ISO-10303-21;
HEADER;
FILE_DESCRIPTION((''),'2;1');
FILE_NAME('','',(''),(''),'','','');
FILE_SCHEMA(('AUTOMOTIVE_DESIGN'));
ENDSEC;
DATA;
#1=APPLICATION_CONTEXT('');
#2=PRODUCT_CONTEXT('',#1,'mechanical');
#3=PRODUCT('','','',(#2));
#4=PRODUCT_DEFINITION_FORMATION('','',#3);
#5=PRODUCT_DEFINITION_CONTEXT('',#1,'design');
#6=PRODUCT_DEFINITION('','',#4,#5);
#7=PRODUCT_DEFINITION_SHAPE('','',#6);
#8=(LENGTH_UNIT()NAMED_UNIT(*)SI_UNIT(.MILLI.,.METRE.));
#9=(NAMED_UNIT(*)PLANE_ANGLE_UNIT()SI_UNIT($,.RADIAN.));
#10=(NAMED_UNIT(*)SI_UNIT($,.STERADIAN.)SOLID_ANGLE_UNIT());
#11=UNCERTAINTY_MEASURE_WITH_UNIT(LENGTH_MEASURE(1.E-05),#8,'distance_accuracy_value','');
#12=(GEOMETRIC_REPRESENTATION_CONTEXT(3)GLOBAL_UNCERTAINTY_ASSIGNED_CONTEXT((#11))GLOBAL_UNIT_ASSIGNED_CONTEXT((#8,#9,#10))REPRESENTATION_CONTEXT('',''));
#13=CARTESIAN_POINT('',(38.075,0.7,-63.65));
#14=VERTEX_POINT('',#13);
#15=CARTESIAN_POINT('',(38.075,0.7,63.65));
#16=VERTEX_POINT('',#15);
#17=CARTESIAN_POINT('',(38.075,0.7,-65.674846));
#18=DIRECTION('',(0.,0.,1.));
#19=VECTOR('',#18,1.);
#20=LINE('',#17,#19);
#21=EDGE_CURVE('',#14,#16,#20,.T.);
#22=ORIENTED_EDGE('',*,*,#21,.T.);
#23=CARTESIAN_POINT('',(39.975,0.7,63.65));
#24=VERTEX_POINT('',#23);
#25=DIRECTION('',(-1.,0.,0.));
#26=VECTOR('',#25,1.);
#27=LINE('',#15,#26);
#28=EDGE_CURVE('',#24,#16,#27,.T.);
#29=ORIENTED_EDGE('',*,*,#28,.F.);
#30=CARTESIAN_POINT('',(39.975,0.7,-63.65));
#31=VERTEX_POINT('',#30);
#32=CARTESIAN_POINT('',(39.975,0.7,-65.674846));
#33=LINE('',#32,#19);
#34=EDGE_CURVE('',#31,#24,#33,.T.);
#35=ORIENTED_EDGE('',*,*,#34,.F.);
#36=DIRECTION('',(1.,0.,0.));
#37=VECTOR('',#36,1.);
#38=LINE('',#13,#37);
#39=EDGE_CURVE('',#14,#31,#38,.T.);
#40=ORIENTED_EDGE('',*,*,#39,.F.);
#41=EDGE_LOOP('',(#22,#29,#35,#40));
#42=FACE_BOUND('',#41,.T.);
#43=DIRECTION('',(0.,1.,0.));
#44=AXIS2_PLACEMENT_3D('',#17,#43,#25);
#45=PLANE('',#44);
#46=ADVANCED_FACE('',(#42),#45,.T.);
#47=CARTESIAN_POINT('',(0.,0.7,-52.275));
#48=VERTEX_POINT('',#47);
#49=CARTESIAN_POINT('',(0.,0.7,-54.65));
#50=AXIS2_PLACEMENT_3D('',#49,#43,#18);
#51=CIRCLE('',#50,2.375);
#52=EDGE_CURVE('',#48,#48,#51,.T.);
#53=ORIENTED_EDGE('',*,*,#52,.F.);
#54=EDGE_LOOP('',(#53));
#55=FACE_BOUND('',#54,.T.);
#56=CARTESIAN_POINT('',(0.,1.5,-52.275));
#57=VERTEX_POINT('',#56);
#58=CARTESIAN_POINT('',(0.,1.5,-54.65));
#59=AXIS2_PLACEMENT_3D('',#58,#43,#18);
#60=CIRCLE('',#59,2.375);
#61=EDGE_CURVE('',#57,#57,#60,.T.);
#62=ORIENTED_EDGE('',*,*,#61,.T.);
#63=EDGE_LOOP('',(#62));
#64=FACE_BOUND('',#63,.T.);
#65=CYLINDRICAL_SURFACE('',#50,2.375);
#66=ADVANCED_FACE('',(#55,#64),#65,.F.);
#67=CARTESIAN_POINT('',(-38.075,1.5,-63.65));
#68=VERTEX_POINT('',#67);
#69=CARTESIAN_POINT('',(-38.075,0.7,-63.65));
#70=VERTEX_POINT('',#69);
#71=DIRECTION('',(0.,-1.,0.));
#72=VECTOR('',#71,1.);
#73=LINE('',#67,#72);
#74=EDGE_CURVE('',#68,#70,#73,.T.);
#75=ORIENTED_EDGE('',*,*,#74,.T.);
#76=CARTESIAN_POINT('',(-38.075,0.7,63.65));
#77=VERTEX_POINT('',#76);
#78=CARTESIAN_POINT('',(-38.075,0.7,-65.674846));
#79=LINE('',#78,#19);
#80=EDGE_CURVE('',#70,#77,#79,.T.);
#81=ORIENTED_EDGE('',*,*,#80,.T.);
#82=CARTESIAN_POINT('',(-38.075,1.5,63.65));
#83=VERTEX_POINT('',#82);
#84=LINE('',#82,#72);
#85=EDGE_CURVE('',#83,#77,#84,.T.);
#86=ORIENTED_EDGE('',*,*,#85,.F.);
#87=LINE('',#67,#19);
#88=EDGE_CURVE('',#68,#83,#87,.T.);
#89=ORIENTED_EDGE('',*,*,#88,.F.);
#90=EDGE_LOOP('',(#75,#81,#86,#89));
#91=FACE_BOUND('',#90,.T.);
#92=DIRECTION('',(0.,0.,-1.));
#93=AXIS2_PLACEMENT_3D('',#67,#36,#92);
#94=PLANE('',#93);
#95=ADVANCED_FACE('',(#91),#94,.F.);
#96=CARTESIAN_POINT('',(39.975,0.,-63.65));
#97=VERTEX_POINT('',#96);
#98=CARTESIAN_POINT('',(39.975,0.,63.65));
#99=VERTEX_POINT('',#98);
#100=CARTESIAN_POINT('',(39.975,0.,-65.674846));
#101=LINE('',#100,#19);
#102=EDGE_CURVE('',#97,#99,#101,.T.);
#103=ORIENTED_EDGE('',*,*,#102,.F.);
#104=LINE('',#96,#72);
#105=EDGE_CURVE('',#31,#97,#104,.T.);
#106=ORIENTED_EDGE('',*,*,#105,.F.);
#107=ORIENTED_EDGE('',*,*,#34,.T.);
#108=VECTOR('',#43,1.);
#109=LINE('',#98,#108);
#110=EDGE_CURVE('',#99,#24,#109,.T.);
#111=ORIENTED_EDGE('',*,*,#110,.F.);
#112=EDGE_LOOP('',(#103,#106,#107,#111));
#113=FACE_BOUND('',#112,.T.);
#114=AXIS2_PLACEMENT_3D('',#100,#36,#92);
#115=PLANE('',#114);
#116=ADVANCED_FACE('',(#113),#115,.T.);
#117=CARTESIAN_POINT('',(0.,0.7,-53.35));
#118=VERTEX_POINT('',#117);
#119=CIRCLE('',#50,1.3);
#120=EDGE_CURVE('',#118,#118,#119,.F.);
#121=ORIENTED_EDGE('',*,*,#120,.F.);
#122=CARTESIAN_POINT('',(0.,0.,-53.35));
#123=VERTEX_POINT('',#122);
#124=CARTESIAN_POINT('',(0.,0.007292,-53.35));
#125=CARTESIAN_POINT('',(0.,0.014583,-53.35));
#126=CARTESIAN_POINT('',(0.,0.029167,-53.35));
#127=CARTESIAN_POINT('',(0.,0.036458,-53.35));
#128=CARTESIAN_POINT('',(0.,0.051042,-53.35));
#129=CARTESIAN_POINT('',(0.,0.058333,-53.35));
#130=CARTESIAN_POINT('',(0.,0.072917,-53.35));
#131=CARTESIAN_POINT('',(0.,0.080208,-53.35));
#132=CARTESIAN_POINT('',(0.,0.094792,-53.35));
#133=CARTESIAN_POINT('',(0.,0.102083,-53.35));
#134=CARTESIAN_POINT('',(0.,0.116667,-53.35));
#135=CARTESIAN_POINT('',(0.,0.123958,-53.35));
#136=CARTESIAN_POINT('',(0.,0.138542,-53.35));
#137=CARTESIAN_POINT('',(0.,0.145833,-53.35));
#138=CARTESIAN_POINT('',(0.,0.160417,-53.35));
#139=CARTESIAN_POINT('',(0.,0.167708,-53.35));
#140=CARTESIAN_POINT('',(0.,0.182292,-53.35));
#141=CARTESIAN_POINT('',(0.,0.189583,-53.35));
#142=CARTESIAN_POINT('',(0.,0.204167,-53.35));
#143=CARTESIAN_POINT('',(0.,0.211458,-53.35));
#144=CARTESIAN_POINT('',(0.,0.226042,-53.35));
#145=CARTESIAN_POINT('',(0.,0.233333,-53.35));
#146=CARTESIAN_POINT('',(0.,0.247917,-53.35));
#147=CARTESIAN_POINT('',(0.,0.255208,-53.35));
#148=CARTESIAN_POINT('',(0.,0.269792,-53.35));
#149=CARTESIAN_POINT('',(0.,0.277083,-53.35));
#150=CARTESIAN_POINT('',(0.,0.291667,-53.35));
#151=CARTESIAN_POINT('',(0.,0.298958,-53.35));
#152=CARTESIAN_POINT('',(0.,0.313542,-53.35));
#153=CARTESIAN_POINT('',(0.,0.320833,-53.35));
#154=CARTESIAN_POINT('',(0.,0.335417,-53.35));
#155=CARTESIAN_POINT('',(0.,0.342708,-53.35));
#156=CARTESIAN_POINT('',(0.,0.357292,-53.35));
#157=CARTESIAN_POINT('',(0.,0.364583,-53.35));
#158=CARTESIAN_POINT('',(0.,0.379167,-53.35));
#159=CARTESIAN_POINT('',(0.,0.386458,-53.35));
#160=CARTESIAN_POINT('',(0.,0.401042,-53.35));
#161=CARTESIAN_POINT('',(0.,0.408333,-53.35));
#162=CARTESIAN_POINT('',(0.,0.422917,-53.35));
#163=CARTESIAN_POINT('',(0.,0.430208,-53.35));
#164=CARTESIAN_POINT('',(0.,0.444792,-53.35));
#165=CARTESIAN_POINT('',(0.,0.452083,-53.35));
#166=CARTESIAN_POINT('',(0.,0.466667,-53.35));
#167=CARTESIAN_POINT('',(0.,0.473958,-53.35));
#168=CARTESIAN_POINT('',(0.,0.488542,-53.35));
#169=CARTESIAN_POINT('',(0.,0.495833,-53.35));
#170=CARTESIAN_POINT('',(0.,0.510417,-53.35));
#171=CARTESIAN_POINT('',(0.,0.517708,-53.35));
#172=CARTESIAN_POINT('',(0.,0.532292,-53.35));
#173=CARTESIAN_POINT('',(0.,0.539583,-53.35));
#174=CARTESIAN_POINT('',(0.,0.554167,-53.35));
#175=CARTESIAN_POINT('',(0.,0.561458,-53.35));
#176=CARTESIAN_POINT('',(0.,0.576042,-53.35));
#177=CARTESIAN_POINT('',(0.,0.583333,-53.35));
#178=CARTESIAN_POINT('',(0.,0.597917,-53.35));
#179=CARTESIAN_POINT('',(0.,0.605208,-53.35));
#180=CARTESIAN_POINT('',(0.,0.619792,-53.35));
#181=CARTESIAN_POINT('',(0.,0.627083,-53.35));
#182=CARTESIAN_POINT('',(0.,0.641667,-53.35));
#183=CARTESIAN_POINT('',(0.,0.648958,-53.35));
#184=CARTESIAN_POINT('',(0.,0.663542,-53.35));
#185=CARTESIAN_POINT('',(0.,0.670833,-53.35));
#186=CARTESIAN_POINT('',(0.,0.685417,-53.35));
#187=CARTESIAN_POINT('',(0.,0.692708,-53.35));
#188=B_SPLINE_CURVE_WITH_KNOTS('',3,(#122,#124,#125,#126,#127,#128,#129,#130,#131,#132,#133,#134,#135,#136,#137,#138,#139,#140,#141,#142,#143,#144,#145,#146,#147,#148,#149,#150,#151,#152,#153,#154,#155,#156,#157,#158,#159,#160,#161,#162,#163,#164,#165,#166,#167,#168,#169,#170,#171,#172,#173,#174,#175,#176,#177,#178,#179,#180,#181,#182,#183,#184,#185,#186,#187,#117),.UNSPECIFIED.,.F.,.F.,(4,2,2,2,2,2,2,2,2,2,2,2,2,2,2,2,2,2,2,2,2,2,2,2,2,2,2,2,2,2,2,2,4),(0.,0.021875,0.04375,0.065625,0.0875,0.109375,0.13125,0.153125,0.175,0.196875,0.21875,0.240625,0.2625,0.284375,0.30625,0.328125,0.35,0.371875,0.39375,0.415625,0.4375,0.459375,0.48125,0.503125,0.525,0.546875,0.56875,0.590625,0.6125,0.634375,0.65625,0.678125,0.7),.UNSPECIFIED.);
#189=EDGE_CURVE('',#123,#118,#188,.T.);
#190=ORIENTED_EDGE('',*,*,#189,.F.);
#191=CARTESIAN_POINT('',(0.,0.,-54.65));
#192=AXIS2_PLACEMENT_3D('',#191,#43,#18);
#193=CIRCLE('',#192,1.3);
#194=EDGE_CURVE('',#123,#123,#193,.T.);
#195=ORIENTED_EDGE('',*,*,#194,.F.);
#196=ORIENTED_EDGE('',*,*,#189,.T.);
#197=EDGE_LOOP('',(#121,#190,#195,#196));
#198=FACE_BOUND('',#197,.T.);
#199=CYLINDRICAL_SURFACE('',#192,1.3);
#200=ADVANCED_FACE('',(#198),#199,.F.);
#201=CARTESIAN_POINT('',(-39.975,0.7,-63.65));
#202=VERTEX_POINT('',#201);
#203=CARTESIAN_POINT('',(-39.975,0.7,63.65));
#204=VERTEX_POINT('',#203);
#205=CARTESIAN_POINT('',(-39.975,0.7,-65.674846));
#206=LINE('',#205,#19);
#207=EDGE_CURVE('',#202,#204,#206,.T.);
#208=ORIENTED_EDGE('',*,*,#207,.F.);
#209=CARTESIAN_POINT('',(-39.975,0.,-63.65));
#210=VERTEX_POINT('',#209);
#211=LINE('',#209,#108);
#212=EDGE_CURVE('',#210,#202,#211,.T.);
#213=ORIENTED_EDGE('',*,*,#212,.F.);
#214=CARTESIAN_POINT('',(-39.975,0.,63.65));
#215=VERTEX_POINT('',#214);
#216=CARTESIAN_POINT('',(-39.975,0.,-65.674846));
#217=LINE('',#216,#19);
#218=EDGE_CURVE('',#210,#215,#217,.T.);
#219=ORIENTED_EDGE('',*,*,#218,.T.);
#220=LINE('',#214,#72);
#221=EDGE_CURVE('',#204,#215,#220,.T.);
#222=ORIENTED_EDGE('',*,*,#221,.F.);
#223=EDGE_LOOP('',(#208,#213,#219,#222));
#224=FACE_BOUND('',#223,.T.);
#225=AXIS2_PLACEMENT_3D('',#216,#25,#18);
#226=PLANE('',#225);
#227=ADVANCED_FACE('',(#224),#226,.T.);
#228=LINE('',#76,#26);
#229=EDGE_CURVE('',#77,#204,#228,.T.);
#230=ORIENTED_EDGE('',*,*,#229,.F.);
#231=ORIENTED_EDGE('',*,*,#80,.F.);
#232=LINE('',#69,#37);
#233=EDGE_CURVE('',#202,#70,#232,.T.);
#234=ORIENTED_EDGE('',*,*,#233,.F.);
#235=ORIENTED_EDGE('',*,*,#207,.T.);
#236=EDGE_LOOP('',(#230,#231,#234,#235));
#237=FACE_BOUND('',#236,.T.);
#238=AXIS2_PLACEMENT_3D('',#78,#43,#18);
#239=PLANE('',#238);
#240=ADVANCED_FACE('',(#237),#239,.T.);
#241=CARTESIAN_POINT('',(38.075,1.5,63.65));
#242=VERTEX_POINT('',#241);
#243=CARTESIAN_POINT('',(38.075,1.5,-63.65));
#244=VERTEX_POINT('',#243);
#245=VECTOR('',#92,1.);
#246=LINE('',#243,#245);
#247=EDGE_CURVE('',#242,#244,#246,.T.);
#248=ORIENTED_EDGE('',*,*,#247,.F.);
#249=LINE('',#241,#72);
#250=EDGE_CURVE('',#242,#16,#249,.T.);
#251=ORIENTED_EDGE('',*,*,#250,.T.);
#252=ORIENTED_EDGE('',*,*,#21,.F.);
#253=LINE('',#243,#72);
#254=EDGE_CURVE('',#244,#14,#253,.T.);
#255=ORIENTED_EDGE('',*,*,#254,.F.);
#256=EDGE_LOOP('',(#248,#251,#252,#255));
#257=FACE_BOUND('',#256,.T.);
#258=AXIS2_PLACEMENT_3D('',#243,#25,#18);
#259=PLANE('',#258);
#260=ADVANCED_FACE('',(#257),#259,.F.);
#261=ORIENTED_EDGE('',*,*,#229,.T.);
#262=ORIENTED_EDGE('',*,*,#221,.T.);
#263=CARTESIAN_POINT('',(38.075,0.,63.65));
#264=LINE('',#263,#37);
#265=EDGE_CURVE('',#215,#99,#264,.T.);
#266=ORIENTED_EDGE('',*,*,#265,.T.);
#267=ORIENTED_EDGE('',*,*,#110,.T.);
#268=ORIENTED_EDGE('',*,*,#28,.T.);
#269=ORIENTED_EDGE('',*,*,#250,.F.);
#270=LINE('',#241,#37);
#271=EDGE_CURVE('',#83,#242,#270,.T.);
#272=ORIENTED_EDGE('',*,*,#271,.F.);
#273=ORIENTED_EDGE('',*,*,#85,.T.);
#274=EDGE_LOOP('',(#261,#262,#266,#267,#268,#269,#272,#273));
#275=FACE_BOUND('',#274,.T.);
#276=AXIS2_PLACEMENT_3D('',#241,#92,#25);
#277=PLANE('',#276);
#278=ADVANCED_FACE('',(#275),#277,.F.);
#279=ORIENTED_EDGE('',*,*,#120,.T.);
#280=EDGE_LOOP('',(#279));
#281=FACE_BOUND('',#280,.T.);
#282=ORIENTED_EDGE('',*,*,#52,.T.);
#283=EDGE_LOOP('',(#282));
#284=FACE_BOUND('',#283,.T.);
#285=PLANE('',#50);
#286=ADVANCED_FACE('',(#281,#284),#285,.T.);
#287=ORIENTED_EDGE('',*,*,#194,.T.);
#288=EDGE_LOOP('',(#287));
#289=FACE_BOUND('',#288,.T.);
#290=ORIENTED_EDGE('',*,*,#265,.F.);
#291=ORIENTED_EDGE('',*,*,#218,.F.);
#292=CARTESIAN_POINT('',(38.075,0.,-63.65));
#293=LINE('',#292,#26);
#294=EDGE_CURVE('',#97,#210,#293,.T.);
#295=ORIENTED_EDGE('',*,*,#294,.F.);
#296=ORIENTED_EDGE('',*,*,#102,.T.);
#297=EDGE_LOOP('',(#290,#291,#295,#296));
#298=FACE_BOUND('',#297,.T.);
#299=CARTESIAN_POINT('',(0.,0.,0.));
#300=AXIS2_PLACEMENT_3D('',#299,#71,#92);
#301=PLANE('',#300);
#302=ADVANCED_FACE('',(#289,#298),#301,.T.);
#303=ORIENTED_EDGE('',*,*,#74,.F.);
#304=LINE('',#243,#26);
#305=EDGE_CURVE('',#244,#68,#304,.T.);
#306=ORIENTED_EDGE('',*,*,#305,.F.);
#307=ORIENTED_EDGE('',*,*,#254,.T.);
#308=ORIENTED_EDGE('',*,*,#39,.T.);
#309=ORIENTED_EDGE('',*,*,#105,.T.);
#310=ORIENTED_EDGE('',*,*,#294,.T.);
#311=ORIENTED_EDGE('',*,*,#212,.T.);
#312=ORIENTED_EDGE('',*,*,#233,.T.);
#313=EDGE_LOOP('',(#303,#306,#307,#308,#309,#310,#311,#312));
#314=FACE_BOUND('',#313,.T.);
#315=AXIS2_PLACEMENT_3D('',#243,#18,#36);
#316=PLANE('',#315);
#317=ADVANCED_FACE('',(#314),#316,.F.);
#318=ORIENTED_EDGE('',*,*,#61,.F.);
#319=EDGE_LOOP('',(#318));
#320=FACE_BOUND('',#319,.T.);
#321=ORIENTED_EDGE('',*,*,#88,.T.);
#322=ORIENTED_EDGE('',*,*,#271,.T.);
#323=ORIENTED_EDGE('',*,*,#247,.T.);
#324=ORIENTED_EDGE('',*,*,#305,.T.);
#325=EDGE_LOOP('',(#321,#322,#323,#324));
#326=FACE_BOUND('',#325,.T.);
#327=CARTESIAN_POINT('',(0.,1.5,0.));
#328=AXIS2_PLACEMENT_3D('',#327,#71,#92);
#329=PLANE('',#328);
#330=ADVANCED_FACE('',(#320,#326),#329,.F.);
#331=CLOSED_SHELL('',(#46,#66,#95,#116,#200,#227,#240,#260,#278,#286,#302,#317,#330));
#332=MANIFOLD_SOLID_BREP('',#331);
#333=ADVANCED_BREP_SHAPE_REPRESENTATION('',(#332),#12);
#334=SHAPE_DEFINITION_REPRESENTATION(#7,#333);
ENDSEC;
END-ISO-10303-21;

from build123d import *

# Parameters (mm, degrees)
SKETCH_1_W          = 76.15
SKETCH_1_H          = 127.3
EXTRUDE_1_DEPTH     = 1.5
SKETCH_2_W          = 1.9
SKETCH_2_H          = 0.7
EXTRUDE_2_DEPTH     = 127.3
SKETCH_3_R          = 1.3
CUT_EXTRUDE_1_DEPTH = 76.176945435
SKETCH_5_R          = 2.375
CUT_EXTRUDE_2_DEPTH = 0.8


with BuildPart() as part:
    # Эскиз1 → Бобышка-Вытянуть1 (new body)
    with BuildSketch(Plane(origin=(0, 0, 0), x_dir=(1, 0, 0), z_dir=(0, 1, 0))):
        Rectangle(SKETCH_1_W, SKETCH_1_H)
    extrude(amount=EXTRUDE_1_DEPTH)

    # Эскиз2 → Бобышка-Вытянуть2 (add)
    with BuildSketch(Plane.XY.offset(63.65)):
        with Locations((-39.025, 0.35)):
            Rectangle(SKETCH_2_W, SKETCH_2_H)
        with Locations((39.025, 0.35)):
            Rectangle(SKETCH_2_W, SKETCH_2_H)
    extrude(amount=-EXTRUDE_2_DEPTH)

    # Эскиз3 → Вырез-Вытянуть1 (cut, through all)
    with BuildSketch(Plane(origin=(0, 1.5, 0), x_dir=(1, 0, 0), z_dir=(0, 1, 0))):
        with Locations(Location((0, 54.65, 0), (0, 0, 270))):
            Circle(SKETCH_3_R)
    extrude(amount=-CUT_EXTRUDE_1_DEPTH, mode=Mode.SUBTRACT)

    # Эскиз5 → Вырез-Вытянуть2 (cut)
    with BuildSketch(Plane(origin=(0, 1.5, 0), x_dir=(1, 0, 0), z_dir=(0, 1, 0))):
        with Locations(Location((0, 54.65, 0), (0, 0, 270))):
            Circle(SKETCH_5_R)
    extrude(amount=-CUT_EXTRUDE_2_DEPTH, mode=Mode.SUBTRACT)


solid = part.part
